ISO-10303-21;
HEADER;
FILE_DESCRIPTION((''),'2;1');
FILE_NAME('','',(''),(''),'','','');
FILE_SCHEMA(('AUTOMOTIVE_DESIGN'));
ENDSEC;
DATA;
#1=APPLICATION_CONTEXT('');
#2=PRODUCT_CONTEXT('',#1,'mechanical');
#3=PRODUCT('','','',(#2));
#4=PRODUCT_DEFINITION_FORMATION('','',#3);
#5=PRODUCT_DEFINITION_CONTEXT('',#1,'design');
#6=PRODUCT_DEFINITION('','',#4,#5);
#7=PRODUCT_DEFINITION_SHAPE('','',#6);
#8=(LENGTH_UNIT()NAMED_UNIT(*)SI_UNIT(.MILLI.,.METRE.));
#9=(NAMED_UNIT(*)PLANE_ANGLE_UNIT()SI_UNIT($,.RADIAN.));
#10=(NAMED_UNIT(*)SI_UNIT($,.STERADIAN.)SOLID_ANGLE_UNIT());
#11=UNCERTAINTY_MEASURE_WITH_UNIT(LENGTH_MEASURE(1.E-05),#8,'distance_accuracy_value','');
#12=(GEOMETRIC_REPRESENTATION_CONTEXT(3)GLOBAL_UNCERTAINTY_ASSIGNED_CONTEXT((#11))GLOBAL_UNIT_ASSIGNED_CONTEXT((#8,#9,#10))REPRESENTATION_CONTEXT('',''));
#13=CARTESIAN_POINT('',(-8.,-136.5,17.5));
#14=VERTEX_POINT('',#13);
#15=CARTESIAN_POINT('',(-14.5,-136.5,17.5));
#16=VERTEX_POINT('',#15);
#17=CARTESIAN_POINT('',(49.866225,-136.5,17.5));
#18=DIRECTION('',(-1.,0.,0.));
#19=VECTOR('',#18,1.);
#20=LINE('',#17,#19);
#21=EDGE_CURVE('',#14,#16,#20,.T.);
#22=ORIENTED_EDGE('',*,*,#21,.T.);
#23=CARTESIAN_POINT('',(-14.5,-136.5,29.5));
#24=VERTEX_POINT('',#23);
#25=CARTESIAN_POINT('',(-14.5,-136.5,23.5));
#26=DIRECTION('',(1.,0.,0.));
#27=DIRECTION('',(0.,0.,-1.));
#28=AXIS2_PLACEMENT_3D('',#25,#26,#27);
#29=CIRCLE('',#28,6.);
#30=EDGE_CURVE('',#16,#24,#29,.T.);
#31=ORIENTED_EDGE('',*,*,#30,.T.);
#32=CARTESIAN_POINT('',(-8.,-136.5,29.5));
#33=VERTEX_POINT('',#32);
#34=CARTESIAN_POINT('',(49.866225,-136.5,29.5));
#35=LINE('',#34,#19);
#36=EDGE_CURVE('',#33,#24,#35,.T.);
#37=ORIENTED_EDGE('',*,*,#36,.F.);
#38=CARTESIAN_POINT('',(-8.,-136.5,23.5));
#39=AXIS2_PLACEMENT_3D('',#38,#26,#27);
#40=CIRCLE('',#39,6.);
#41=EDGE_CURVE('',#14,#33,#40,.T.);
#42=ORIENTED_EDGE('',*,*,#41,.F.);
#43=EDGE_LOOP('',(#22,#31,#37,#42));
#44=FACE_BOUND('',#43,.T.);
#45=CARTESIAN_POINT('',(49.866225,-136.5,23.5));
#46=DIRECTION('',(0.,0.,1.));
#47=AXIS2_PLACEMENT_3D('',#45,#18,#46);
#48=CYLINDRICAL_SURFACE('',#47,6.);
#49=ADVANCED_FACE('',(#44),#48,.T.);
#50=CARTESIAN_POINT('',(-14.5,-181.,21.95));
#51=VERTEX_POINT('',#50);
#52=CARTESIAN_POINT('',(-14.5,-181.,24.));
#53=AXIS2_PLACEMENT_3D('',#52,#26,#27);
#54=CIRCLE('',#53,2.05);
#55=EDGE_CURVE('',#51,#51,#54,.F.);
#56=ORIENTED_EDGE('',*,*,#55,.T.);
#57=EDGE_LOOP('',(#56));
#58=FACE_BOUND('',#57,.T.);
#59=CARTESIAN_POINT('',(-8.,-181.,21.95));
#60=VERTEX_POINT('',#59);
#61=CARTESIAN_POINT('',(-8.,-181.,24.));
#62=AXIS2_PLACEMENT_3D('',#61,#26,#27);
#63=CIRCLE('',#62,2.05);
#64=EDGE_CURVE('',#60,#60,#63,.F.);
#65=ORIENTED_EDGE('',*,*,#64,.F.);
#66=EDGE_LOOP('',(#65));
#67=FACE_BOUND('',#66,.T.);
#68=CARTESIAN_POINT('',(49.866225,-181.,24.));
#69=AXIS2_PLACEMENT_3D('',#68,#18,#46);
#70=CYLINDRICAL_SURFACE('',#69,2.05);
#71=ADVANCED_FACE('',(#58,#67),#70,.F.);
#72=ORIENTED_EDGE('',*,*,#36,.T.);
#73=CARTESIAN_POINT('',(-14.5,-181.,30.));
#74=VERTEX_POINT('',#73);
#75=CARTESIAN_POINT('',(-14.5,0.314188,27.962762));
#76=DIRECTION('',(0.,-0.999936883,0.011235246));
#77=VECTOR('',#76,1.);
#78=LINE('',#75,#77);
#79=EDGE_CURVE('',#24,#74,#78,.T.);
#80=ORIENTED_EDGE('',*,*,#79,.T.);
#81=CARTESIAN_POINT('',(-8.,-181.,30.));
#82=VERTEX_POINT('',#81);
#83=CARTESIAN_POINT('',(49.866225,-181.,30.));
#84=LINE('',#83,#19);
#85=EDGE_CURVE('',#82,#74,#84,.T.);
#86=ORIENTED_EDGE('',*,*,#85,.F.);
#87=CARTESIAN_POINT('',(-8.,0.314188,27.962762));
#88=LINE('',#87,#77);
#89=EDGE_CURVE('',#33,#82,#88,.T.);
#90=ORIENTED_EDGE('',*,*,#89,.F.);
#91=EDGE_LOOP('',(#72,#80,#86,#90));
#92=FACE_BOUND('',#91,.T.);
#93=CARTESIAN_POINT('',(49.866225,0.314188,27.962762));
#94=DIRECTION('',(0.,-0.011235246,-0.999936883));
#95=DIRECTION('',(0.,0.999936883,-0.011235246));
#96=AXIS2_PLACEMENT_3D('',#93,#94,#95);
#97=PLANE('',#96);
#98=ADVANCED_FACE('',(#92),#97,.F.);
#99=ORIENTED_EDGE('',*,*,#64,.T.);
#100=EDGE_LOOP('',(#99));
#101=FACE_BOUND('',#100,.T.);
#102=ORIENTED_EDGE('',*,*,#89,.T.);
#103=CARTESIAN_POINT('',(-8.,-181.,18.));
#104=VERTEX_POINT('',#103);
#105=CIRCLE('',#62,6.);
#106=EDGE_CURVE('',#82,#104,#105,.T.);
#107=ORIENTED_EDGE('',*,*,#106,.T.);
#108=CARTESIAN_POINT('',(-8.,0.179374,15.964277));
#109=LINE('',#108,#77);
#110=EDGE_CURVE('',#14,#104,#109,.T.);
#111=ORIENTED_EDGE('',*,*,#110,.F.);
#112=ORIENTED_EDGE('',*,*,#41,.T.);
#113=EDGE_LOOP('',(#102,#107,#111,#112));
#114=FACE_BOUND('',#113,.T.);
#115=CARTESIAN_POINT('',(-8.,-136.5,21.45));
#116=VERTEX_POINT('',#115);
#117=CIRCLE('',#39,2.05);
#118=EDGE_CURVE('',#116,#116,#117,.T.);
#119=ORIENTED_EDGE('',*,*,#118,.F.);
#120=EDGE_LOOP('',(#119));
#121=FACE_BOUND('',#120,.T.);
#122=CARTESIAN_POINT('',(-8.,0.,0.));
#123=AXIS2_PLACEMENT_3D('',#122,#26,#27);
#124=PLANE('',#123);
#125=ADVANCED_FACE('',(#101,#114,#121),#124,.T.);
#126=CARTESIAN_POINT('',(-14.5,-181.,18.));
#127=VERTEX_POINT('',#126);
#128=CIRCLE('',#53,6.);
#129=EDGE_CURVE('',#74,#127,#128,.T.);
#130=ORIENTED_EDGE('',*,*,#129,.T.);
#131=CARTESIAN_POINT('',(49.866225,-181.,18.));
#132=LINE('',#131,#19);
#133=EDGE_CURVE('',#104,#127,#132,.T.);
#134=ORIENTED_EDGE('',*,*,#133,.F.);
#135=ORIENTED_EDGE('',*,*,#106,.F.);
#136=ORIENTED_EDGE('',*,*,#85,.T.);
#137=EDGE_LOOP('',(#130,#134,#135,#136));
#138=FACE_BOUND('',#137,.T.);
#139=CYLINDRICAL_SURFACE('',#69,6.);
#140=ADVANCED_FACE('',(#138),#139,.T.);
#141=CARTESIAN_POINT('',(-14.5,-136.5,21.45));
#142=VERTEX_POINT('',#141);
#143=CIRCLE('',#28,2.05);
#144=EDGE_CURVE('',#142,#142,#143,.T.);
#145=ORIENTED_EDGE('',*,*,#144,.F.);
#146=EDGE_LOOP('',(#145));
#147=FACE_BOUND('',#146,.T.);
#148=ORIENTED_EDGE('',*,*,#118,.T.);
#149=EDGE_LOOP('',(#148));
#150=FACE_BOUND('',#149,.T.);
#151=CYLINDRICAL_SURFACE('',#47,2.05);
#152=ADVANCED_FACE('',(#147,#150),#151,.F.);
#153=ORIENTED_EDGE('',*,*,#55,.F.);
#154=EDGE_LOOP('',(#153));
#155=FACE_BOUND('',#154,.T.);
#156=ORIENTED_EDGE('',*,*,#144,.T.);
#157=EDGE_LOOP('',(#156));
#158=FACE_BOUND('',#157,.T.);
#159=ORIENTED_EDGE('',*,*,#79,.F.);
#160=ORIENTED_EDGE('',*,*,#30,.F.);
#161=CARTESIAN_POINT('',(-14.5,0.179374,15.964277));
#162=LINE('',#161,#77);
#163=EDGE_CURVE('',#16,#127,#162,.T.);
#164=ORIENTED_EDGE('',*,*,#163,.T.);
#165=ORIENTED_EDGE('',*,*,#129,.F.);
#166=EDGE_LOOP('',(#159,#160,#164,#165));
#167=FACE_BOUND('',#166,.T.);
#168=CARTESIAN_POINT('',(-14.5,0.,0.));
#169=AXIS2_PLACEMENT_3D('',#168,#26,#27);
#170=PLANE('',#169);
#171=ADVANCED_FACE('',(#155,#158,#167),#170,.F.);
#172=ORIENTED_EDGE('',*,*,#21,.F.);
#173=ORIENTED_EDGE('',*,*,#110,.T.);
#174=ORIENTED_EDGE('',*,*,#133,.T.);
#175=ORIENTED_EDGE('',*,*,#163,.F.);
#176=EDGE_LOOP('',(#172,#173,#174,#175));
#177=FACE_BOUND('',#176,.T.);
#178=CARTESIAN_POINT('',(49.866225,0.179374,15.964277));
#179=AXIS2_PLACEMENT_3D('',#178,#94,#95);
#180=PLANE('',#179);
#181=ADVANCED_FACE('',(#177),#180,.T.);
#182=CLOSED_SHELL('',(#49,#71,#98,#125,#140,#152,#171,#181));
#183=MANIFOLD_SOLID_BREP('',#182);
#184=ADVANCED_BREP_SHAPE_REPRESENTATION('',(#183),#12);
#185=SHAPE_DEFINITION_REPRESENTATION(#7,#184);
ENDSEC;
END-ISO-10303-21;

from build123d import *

# Parameters (mm, degrees)
SKETCH1_R           = 2.05
BOSS_EXTRUDE1_DEPTH = 6.5


with BuildPart() as part:
    # Sketch1 → Boss-Extrude1 (new body)
    with BuildSketch(Plane(origin=(-14.5, 0, 0), x_dir=(0, 0, -1), z_dir=(1, 0, 0))):
        with BuildLine():
            ThreePointArc((-17.5, -136.5), (-23.5, -130.5), (-29.5, -136.5))
            Line((-29.5, -136.5), (-30, -181))
            ThreePointArc((-30, -181), (-27.287286528, -186.019337335), (-21.602084238, -186.5))
            Line((-21.602084238, -186.5), (-24, -186.5))
            ThreePointArc((-24, -186.5), (-29.5, -181), (-24, -175.5))
            Line((-24, -175.5), (-17.938202247, -175.5))
            Line((-17.938202247, -175.5), (-17.5, -136.5))
        make_face()
        with Locations((-23.5, -136.5)):
            Circle(SKETCH1_R, mode=Mode.SUBTRACT)
        with BuildLine():
            Line((-24, -186.5), (-21.602084238, -186.5))
            ThreePointArc((-21.602084238, -186.5), (-18.980662665, -184.287286528), (-18, -181))
            Line((-18, -181), (-17.938202247, -175.5))
            Line((-17.938202247, -175.5), (-24, -175.5))
            ThreePointArc((-24, -175.5), (-29.5, -181), (-24, -186.5))
        make_face()
        with Locations((-24, -181)):
            Circle(SKETCH1_R, mode=Mode.SUBTRACT)
    extrude(amount=BOSS_EXTRUDE1_DEPTH)


solid = part.part
